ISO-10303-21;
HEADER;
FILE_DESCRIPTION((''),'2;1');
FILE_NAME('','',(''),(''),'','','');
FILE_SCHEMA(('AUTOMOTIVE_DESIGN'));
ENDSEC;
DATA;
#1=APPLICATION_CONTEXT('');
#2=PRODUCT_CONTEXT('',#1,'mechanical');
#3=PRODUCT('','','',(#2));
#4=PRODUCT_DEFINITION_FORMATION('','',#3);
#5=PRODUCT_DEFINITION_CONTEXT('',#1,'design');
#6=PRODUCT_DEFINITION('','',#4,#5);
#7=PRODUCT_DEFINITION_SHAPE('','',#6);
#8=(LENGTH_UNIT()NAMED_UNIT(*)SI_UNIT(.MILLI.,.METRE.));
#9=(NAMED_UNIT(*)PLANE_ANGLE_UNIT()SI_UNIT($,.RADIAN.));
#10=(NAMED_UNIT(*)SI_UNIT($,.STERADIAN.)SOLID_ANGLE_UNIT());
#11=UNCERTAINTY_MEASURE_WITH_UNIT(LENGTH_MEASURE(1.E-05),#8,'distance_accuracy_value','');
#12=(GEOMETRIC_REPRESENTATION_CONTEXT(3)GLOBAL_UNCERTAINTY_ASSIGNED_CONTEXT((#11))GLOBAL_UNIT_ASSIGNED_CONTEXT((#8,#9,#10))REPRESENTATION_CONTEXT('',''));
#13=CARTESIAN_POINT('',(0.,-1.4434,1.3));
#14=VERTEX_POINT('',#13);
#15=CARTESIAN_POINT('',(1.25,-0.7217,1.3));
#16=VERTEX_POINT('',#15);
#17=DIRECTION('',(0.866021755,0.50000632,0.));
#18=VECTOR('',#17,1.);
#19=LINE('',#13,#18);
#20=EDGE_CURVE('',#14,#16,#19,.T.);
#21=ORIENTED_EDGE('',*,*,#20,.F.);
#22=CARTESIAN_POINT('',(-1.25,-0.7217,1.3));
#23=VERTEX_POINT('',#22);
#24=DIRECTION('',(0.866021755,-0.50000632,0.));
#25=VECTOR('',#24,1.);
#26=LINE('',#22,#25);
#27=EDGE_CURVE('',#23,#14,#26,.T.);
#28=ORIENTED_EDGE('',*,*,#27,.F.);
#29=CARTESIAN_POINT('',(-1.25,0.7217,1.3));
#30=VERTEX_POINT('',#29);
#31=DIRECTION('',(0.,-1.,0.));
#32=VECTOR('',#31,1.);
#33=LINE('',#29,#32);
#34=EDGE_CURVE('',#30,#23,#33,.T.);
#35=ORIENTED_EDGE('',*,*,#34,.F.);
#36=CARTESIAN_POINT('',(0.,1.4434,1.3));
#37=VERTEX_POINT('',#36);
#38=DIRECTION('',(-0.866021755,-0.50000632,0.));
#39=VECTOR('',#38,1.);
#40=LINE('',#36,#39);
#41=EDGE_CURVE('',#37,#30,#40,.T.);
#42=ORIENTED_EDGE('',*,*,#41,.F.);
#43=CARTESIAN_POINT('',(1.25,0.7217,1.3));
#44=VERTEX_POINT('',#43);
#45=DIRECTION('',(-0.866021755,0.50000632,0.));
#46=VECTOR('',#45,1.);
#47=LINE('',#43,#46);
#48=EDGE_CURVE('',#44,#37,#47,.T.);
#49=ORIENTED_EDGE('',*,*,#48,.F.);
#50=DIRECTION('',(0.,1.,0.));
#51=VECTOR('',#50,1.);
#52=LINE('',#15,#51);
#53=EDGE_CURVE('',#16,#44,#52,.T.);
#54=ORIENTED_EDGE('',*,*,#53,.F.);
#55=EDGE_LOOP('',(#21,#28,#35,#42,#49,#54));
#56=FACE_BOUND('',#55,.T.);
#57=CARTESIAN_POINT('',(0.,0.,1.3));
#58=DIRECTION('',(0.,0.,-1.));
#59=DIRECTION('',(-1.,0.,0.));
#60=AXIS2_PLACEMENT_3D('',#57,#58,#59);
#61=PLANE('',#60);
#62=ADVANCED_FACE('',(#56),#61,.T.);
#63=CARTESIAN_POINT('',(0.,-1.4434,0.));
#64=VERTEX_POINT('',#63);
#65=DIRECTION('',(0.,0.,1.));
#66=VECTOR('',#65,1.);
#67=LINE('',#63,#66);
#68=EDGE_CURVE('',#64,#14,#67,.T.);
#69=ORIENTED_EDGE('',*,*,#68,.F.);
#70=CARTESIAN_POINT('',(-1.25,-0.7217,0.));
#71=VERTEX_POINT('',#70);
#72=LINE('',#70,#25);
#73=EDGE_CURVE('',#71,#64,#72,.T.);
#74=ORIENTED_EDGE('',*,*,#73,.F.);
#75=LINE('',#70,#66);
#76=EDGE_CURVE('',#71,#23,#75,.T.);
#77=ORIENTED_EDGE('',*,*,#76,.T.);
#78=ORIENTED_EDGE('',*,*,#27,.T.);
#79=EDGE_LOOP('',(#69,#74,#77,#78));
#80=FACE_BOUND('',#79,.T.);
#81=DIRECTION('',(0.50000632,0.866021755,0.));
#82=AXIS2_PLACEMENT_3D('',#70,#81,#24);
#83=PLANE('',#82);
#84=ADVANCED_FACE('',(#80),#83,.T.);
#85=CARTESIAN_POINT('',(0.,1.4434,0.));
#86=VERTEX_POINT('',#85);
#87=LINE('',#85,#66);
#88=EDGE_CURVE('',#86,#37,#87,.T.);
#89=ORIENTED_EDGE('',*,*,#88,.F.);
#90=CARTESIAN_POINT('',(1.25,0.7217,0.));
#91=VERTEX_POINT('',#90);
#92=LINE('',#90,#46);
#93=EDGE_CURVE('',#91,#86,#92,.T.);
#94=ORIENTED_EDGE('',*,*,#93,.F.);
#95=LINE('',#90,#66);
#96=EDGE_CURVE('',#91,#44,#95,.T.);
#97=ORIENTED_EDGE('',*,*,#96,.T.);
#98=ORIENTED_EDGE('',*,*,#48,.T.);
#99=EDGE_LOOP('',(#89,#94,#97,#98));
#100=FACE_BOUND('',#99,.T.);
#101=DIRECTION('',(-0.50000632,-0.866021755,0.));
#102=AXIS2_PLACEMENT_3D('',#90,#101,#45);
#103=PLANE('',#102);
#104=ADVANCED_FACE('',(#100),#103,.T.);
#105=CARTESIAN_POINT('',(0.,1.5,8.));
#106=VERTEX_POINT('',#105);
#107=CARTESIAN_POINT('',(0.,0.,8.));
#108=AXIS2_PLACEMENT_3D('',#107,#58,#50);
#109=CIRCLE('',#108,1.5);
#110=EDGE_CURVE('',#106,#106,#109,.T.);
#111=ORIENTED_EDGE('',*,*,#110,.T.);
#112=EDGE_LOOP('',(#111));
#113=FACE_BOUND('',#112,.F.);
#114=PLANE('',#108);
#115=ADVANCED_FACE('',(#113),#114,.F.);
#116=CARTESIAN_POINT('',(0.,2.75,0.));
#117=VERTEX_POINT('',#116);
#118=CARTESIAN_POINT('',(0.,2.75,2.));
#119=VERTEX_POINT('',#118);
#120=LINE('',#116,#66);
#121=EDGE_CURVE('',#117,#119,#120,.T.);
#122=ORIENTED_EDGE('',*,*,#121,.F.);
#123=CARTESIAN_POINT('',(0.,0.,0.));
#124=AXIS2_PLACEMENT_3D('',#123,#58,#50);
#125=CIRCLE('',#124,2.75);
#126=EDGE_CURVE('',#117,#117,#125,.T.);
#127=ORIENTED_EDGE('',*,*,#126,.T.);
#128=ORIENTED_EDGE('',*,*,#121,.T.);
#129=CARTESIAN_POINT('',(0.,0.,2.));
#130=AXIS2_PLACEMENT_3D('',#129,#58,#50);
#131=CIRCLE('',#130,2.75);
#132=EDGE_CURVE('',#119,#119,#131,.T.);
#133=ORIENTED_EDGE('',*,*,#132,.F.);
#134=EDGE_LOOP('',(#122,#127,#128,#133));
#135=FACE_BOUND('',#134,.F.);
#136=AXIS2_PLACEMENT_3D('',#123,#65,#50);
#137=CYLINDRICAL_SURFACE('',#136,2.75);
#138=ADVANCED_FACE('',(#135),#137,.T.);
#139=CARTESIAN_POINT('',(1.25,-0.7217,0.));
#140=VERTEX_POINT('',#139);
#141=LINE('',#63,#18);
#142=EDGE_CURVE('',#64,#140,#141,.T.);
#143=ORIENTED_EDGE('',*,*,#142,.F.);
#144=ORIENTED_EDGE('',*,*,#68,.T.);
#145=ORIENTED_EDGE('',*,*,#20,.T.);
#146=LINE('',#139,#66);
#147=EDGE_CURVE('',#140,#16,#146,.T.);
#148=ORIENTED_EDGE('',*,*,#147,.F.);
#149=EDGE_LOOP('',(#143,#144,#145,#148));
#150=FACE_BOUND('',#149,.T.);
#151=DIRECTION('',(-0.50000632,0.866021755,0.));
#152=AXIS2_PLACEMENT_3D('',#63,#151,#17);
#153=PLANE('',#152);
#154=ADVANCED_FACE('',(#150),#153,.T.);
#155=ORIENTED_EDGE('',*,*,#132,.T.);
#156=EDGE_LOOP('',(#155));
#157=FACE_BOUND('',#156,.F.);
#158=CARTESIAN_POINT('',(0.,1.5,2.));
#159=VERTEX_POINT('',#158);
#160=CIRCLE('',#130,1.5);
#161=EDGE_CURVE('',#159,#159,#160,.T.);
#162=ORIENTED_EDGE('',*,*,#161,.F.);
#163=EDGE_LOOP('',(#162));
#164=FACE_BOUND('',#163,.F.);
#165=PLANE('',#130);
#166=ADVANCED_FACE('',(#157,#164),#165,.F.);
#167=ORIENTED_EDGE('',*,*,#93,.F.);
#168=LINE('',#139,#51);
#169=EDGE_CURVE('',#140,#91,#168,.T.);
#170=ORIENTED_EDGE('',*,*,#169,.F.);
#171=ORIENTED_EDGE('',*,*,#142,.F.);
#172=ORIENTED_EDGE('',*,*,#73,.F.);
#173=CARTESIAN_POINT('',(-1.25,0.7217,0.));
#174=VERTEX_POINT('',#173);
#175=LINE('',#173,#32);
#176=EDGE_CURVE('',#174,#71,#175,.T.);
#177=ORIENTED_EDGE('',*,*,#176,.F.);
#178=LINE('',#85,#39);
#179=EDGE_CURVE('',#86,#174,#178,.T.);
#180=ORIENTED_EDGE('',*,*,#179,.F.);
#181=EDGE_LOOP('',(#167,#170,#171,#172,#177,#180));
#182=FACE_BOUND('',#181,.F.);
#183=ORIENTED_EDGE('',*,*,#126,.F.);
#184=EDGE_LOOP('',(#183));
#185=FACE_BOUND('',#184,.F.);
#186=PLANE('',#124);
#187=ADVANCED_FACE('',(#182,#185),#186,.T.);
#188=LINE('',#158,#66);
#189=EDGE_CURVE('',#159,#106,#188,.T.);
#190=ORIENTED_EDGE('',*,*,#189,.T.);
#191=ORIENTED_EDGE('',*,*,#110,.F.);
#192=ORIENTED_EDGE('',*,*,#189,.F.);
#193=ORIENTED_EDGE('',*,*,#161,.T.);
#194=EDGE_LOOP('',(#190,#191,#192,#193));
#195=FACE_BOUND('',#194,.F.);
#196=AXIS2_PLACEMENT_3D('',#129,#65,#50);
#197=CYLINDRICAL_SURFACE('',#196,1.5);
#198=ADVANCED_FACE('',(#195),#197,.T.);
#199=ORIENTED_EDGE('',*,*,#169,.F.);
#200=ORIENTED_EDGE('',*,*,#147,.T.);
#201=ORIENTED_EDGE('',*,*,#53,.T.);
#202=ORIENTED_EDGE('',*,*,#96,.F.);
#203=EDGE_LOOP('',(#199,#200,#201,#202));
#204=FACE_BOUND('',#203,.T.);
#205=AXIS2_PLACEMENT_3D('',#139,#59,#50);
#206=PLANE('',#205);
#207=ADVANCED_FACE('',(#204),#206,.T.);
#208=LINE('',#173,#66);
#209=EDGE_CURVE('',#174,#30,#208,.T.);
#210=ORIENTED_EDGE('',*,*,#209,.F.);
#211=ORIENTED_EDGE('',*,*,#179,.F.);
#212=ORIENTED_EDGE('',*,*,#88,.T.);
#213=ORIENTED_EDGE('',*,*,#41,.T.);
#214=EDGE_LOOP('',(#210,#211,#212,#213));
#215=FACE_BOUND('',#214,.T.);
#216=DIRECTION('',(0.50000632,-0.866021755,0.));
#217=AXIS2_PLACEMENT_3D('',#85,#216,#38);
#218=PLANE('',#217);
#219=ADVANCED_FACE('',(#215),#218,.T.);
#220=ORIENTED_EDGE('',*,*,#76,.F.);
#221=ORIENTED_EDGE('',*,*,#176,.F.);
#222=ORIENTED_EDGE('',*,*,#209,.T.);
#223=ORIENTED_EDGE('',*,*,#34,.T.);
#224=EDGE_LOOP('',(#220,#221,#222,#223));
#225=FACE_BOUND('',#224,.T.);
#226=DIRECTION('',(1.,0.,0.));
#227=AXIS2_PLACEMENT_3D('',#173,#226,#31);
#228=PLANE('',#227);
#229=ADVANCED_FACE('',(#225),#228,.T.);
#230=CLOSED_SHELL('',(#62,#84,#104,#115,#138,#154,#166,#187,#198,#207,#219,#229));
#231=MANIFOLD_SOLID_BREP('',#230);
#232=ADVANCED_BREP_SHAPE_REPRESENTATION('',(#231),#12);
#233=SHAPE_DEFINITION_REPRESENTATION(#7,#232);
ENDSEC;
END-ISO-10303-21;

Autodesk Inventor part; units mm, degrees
ref_plane "YZ Plane" through (0, 0, 0) normal (1, 0, 0) x (0, 1, 0)
ref_plane "XZ Plane" through (0, 0, 0) normal (0, 1, 0) x (-1, 0, 0)
ref_plane "XY Plane" through (0, 0, 0) normal (0, 0, 1) x (1, 0, 0)
sketch "スケッチ1" plane through (0, 0, 0) normal (1, 0, 0) x (0, 1, 0)
  line L0 (0, 8) -> (0, 0)
  line L1 (0, 0) -> (2.75, 0)
  line L2 (2.75, 0) -> (2.75, 2)
  line L3 (2.75, 2) -> (1.5, 2)
  line L4 (1.5, 2) -> (1.5, 8)
  line L5 (1.5, 8) -> (0, 8)
  dimension "d2" = 2
  dimension "d10" = 6
  dimension "d11" = 3
  dimension "d12" = 5.5
revolve "回転1" add sketch "スケッチ1" angle 360 about axis through (0, 0, 8) along (0, 0, -1)
thread "ねじ1" size "M3x0.5" class "6g" standard "ANSI Metric M Profile" full length
sketch "スケッチ2" plane through (0, 0, 0) normal (0, 0, -1) x (-1, 0, 0)
  line L0 (0, 1.4434) -> (1.25, 0.7217)
  line L1 (1.25, 0.7217) -> (1.25, -0.7217)
  line L2 (1.25, -0.7217) -> (0, -1.4434)
  line L3 (0, -1.4434) -> (-1.25, -0.7217)
  line L4 (-1.25, -0.7217) -> (-1.25, 0.7217)
  line L5 (-1.25, 0.7217) -> (0, 1.4434)
  circle A0 centre (0, 0) radius 2.75 projected
  line L6 (0, 2.75) -> (0, -2.75) construction
  point P0 (0, 0)
  dimension "d7" = 2.5
extrude "押し出し1" cut sketch "スケッチ2" against normal blind 1.3 contours L0 L1 L2 L3 L4 L5
properties part number "ULC-0306" material "ステンレス鋼 AISI 304"
